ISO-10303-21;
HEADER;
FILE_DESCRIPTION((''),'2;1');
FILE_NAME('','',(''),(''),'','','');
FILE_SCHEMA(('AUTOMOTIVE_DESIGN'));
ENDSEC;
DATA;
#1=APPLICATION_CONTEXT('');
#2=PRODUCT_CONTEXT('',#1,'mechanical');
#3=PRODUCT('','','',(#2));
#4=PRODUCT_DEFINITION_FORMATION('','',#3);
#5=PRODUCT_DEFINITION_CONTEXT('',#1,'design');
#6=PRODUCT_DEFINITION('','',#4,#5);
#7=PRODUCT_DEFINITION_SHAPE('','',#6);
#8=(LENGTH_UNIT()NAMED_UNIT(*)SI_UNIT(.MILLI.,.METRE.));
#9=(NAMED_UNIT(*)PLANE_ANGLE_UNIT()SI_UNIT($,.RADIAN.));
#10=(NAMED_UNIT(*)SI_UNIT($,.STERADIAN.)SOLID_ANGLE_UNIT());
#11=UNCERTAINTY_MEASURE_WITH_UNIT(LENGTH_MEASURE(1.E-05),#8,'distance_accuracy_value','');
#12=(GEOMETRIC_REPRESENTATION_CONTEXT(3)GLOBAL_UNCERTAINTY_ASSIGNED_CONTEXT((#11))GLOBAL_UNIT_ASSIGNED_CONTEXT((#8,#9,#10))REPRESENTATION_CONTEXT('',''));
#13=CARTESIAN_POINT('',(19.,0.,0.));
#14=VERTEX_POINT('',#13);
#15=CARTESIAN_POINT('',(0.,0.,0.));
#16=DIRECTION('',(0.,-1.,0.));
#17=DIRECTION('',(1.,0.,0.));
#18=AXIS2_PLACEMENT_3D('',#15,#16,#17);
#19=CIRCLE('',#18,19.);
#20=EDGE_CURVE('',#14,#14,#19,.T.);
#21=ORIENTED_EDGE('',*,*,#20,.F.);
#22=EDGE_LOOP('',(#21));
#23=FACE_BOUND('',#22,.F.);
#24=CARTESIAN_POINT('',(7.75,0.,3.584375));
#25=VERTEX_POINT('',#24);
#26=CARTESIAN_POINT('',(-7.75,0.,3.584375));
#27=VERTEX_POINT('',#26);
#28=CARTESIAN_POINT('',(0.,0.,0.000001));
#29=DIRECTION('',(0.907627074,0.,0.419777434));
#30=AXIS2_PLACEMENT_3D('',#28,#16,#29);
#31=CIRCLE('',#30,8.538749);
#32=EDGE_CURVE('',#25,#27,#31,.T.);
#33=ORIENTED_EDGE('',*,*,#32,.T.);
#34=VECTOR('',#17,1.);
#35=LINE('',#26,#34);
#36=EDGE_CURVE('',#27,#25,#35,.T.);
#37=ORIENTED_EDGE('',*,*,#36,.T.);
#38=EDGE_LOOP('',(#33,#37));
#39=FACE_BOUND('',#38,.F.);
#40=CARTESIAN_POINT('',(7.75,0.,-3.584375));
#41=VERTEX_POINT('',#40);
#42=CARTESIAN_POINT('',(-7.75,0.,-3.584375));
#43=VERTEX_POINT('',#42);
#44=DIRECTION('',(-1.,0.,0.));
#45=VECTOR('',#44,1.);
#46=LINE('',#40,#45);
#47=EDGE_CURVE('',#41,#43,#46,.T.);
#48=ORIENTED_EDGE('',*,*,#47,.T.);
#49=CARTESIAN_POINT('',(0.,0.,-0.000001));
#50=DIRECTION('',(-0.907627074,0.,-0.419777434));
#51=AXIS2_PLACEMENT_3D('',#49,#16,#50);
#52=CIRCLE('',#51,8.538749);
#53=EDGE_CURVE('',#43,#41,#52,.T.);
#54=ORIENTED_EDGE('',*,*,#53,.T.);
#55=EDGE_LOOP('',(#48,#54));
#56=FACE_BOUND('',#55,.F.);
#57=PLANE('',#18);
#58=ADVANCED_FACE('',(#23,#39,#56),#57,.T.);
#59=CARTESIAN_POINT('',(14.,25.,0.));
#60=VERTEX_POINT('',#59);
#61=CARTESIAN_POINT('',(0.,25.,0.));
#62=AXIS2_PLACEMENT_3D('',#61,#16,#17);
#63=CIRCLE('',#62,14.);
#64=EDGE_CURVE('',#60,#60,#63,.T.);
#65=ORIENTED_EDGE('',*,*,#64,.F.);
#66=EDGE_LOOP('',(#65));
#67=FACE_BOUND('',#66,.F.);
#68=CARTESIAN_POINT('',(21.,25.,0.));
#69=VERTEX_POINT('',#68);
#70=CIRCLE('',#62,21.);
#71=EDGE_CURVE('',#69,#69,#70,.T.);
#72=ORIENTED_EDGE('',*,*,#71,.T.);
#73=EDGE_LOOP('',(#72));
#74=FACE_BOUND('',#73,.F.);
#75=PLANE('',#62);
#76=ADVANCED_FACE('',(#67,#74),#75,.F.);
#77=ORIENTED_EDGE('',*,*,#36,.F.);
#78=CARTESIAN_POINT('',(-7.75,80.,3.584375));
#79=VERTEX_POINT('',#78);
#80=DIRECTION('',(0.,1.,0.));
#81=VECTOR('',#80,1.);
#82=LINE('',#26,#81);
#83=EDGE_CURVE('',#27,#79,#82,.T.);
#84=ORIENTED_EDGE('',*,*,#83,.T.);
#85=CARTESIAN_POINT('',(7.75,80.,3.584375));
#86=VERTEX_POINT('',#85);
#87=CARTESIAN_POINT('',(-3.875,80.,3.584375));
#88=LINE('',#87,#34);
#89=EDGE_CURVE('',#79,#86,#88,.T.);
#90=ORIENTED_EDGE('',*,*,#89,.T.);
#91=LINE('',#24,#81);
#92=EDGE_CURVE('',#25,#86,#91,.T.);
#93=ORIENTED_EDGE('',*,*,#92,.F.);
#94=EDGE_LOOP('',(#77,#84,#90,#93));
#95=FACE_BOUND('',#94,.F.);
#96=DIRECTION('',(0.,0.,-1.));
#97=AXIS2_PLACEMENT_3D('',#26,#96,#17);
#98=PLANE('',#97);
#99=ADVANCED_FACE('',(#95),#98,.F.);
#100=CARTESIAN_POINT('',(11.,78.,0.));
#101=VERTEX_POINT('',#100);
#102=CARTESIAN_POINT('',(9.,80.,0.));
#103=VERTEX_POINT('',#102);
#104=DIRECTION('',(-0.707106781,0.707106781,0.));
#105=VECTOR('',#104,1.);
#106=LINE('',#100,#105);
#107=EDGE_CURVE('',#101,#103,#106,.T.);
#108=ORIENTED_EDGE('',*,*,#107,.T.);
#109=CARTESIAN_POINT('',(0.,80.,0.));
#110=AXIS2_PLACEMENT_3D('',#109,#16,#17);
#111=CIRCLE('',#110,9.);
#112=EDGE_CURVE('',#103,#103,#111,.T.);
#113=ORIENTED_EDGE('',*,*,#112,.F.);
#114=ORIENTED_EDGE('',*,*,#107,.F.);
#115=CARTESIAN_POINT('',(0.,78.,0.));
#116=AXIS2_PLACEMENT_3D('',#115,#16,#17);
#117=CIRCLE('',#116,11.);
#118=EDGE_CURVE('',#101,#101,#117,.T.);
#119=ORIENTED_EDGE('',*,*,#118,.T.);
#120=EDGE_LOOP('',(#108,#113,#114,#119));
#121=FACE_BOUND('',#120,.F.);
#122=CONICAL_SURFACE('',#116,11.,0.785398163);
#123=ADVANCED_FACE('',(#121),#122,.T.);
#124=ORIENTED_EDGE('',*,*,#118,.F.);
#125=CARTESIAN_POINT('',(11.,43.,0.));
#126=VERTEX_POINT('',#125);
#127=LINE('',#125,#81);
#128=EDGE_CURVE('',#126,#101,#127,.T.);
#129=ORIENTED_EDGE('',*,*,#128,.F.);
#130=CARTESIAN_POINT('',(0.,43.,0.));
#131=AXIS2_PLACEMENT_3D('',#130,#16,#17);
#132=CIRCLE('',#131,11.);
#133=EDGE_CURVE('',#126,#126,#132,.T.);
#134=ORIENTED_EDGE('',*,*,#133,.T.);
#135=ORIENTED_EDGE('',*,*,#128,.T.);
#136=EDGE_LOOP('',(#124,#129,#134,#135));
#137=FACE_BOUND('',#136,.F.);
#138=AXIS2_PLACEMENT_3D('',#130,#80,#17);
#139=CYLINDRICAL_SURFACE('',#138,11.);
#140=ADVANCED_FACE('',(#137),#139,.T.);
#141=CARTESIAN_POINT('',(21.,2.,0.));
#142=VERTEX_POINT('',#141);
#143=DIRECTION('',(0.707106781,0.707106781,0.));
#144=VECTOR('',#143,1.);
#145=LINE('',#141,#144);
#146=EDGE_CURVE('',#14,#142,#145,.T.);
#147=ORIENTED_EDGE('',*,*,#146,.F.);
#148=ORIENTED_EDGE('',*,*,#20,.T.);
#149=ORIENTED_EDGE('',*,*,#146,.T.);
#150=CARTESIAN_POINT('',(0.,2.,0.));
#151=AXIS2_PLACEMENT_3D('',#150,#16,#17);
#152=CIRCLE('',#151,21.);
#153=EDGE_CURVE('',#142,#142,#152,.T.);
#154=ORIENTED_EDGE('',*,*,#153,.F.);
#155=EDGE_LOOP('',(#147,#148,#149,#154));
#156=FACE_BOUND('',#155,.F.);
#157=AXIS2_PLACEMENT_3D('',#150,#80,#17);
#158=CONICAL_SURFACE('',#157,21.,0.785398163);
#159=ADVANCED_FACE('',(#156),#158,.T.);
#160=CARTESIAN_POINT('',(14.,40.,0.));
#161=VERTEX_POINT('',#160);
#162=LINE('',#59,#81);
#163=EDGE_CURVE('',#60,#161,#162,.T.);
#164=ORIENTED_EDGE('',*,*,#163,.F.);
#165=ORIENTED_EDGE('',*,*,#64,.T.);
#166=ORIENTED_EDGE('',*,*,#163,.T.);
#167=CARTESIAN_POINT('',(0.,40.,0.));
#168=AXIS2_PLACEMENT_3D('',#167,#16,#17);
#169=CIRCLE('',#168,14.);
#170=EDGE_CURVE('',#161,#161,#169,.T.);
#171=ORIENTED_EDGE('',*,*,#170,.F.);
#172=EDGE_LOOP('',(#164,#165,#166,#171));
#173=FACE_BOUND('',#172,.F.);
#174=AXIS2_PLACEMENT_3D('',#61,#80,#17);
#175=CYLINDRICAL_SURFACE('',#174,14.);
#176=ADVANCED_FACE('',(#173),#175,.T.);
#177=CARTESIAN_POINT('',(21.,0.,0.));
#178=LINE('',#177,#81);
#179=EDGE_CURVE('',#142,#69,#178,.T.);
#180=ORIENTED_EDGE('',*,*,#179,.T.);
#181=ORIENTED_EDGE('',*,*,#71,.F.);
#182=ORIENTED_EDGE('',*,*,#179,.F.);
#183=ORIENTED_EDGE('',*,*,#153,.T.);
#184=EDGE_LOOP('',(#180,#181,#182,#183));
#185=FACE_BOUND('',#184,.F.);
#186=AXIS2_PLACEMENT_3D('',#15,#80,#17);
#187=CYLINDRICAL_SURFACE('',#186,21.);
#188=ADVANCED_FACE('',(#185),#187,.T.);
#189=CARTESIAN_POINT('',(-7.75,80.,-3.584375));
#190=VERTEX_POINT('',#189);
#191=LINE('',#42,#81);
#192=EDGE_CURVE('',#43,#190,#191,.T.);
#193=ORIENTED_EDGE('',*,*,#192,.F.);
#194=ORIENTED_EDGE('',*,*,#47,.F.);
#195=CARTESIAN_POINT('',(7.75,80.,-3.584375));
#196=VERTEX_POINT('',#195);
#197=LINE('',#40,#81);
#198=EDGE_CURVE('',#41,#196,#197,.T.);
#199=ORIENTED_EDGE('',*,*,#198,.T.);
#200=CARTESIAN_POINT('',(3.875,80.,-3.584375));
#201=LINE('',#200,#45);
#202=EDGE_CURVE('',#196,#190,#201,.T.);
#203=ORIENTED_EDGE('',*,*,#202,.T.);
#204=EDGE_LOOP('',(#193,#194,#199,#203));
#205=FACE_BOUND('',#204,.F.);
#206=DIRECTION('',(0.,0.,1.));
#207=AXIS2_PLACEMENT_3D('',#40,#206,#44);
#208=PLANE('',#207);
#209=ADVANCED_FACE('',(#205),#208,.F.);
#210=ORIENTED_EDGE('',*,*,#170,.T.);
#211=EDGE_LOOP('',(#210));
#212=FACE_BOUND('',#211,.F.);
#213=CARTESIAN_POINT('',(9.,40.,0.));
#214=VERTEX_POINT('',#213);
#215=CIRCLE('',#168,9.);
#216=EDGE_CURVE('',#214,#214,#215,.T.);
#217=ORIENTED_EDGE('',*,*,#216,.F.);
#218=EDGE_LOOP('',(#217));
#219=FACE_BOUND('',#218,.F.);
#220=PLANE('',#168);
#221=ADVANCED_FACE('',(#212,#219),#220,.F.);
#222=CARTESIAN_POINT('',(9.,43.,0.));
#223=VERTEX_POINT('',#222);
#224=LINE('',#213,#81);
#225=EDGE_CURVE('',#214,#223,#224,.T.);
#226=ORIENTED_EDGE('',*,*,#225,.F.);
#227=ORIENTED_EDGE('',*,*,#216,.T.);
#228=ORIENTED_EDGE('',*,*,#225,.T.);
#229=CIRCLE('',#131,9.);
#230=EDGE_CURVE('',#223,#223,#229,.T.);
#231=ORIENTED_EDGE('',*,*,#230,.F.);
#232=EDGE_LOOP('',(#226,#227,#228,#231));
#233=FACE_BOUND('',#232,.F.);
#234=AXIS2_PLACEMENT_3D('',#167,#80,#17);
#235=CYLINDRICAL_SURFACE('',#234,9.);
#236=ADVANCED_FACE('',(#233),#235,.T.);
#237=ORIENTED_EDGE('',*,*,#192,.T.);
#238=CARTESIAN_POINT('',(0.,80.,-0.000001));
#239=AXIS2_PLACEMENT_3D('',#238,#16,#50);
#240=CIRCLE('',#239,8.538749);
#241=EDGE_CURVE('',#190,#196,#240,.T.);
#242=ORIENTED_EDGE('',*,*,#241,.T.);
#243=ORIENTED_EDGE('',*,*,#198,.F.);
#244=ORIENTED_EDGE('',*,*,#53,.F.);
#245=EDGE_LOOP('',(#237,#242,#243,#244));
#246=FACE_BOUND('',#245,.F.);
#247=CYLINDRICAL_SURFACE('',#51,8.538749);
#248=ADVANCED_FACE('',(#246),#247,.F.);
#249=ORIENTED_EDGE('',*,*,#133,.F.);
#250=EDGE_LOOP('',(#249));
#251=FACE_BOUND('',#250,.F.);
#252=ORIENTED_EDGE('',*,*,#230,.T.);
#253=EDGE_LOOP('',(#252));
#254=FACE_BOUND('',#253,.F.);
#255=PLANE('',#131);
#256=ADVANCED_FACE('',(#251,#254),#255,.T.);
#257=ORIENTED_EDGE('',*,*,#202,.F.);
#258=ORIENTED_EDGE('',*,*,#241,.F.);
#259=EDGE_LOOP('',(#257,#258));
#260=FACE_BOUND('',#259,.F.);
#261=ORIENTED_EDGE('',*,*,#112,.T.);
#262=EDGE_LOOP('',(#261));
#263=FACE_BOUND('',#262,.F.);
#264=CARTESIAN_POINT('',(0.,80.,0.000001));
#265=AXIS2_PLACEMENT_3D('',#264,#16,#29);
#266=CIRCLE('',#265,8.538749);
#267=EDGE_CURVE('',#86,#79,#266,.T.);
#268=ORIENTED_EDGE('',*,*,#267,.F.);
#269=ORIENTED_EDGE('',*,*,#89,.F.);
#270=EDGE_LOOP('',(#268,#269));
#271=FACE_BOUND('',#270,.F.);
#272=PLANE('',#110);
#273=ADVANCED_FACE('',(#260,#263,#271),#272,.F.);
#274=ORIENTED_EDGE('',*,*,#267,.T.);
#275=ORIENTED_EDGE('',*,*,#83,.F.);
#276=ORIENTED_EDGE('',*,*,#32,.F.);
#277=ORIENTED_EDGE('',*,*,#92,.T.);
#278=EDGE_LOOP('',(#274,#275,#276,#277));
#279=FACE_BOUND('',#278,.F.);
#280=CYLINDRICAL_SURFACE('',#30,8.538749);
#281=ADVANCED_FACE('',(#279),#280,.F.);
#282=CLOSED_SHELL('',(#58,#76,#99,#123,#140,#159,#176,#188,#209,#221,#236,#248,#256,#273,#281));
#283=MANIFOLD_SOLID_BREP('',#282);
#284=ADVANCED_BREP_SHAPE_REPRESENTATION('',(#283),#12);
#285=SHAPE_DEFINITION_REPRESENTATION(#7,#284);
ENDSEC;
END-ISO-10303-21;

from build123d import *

# Parameters (mm, degrees)
F2_SIZE2 = 2
F2_SIZE  = 2
F4_DEPTH = 100


with BuildPart() as f1:
    # F0 (on Top) → F1 (revolve)
    with BuildSketch(Plane.XY):
        Polygon((0, 80), (0, 0), (21, 0), (21, 25), (14, 25), (14, 40), (9, 40), (9, 43), (11, 43), (11, 80), align=None)
    revolve(axis=Axis((0, 40, 0), (0, -1, 0)))

    # F2
    f2_edges = [f1.edges().sort_by_distance(p)[0] for p in [
        (-11, 80, 0),
        (-21, 0, 0),
    ]]
    chamfer(f2_edges, length=F2_SIZE, length2=F2_SIZE2)

    # F3 (on Front) → F4 (cut)
    with BuildSketch(Plane.XZ):
        with BuildLine():
            Line((-7.75, 3.584375), (7.75, 3.584375))
            ThreePointArc((7.75, 3.584375), (0, 8.53875), (-7.75, 3.584375))
        make_face()
        with BuildLine():
            ThreePointArc((-7.75, -3.584375), (0, -8.53875), (7.75, -3.584375))
            Line((7.75, -3.584375), (-7.75, -3.584375))
        make_face()
    extrude(amount=-F4_DEPTH, mode=Mode.SUBTRACT)


solid = f1.part
